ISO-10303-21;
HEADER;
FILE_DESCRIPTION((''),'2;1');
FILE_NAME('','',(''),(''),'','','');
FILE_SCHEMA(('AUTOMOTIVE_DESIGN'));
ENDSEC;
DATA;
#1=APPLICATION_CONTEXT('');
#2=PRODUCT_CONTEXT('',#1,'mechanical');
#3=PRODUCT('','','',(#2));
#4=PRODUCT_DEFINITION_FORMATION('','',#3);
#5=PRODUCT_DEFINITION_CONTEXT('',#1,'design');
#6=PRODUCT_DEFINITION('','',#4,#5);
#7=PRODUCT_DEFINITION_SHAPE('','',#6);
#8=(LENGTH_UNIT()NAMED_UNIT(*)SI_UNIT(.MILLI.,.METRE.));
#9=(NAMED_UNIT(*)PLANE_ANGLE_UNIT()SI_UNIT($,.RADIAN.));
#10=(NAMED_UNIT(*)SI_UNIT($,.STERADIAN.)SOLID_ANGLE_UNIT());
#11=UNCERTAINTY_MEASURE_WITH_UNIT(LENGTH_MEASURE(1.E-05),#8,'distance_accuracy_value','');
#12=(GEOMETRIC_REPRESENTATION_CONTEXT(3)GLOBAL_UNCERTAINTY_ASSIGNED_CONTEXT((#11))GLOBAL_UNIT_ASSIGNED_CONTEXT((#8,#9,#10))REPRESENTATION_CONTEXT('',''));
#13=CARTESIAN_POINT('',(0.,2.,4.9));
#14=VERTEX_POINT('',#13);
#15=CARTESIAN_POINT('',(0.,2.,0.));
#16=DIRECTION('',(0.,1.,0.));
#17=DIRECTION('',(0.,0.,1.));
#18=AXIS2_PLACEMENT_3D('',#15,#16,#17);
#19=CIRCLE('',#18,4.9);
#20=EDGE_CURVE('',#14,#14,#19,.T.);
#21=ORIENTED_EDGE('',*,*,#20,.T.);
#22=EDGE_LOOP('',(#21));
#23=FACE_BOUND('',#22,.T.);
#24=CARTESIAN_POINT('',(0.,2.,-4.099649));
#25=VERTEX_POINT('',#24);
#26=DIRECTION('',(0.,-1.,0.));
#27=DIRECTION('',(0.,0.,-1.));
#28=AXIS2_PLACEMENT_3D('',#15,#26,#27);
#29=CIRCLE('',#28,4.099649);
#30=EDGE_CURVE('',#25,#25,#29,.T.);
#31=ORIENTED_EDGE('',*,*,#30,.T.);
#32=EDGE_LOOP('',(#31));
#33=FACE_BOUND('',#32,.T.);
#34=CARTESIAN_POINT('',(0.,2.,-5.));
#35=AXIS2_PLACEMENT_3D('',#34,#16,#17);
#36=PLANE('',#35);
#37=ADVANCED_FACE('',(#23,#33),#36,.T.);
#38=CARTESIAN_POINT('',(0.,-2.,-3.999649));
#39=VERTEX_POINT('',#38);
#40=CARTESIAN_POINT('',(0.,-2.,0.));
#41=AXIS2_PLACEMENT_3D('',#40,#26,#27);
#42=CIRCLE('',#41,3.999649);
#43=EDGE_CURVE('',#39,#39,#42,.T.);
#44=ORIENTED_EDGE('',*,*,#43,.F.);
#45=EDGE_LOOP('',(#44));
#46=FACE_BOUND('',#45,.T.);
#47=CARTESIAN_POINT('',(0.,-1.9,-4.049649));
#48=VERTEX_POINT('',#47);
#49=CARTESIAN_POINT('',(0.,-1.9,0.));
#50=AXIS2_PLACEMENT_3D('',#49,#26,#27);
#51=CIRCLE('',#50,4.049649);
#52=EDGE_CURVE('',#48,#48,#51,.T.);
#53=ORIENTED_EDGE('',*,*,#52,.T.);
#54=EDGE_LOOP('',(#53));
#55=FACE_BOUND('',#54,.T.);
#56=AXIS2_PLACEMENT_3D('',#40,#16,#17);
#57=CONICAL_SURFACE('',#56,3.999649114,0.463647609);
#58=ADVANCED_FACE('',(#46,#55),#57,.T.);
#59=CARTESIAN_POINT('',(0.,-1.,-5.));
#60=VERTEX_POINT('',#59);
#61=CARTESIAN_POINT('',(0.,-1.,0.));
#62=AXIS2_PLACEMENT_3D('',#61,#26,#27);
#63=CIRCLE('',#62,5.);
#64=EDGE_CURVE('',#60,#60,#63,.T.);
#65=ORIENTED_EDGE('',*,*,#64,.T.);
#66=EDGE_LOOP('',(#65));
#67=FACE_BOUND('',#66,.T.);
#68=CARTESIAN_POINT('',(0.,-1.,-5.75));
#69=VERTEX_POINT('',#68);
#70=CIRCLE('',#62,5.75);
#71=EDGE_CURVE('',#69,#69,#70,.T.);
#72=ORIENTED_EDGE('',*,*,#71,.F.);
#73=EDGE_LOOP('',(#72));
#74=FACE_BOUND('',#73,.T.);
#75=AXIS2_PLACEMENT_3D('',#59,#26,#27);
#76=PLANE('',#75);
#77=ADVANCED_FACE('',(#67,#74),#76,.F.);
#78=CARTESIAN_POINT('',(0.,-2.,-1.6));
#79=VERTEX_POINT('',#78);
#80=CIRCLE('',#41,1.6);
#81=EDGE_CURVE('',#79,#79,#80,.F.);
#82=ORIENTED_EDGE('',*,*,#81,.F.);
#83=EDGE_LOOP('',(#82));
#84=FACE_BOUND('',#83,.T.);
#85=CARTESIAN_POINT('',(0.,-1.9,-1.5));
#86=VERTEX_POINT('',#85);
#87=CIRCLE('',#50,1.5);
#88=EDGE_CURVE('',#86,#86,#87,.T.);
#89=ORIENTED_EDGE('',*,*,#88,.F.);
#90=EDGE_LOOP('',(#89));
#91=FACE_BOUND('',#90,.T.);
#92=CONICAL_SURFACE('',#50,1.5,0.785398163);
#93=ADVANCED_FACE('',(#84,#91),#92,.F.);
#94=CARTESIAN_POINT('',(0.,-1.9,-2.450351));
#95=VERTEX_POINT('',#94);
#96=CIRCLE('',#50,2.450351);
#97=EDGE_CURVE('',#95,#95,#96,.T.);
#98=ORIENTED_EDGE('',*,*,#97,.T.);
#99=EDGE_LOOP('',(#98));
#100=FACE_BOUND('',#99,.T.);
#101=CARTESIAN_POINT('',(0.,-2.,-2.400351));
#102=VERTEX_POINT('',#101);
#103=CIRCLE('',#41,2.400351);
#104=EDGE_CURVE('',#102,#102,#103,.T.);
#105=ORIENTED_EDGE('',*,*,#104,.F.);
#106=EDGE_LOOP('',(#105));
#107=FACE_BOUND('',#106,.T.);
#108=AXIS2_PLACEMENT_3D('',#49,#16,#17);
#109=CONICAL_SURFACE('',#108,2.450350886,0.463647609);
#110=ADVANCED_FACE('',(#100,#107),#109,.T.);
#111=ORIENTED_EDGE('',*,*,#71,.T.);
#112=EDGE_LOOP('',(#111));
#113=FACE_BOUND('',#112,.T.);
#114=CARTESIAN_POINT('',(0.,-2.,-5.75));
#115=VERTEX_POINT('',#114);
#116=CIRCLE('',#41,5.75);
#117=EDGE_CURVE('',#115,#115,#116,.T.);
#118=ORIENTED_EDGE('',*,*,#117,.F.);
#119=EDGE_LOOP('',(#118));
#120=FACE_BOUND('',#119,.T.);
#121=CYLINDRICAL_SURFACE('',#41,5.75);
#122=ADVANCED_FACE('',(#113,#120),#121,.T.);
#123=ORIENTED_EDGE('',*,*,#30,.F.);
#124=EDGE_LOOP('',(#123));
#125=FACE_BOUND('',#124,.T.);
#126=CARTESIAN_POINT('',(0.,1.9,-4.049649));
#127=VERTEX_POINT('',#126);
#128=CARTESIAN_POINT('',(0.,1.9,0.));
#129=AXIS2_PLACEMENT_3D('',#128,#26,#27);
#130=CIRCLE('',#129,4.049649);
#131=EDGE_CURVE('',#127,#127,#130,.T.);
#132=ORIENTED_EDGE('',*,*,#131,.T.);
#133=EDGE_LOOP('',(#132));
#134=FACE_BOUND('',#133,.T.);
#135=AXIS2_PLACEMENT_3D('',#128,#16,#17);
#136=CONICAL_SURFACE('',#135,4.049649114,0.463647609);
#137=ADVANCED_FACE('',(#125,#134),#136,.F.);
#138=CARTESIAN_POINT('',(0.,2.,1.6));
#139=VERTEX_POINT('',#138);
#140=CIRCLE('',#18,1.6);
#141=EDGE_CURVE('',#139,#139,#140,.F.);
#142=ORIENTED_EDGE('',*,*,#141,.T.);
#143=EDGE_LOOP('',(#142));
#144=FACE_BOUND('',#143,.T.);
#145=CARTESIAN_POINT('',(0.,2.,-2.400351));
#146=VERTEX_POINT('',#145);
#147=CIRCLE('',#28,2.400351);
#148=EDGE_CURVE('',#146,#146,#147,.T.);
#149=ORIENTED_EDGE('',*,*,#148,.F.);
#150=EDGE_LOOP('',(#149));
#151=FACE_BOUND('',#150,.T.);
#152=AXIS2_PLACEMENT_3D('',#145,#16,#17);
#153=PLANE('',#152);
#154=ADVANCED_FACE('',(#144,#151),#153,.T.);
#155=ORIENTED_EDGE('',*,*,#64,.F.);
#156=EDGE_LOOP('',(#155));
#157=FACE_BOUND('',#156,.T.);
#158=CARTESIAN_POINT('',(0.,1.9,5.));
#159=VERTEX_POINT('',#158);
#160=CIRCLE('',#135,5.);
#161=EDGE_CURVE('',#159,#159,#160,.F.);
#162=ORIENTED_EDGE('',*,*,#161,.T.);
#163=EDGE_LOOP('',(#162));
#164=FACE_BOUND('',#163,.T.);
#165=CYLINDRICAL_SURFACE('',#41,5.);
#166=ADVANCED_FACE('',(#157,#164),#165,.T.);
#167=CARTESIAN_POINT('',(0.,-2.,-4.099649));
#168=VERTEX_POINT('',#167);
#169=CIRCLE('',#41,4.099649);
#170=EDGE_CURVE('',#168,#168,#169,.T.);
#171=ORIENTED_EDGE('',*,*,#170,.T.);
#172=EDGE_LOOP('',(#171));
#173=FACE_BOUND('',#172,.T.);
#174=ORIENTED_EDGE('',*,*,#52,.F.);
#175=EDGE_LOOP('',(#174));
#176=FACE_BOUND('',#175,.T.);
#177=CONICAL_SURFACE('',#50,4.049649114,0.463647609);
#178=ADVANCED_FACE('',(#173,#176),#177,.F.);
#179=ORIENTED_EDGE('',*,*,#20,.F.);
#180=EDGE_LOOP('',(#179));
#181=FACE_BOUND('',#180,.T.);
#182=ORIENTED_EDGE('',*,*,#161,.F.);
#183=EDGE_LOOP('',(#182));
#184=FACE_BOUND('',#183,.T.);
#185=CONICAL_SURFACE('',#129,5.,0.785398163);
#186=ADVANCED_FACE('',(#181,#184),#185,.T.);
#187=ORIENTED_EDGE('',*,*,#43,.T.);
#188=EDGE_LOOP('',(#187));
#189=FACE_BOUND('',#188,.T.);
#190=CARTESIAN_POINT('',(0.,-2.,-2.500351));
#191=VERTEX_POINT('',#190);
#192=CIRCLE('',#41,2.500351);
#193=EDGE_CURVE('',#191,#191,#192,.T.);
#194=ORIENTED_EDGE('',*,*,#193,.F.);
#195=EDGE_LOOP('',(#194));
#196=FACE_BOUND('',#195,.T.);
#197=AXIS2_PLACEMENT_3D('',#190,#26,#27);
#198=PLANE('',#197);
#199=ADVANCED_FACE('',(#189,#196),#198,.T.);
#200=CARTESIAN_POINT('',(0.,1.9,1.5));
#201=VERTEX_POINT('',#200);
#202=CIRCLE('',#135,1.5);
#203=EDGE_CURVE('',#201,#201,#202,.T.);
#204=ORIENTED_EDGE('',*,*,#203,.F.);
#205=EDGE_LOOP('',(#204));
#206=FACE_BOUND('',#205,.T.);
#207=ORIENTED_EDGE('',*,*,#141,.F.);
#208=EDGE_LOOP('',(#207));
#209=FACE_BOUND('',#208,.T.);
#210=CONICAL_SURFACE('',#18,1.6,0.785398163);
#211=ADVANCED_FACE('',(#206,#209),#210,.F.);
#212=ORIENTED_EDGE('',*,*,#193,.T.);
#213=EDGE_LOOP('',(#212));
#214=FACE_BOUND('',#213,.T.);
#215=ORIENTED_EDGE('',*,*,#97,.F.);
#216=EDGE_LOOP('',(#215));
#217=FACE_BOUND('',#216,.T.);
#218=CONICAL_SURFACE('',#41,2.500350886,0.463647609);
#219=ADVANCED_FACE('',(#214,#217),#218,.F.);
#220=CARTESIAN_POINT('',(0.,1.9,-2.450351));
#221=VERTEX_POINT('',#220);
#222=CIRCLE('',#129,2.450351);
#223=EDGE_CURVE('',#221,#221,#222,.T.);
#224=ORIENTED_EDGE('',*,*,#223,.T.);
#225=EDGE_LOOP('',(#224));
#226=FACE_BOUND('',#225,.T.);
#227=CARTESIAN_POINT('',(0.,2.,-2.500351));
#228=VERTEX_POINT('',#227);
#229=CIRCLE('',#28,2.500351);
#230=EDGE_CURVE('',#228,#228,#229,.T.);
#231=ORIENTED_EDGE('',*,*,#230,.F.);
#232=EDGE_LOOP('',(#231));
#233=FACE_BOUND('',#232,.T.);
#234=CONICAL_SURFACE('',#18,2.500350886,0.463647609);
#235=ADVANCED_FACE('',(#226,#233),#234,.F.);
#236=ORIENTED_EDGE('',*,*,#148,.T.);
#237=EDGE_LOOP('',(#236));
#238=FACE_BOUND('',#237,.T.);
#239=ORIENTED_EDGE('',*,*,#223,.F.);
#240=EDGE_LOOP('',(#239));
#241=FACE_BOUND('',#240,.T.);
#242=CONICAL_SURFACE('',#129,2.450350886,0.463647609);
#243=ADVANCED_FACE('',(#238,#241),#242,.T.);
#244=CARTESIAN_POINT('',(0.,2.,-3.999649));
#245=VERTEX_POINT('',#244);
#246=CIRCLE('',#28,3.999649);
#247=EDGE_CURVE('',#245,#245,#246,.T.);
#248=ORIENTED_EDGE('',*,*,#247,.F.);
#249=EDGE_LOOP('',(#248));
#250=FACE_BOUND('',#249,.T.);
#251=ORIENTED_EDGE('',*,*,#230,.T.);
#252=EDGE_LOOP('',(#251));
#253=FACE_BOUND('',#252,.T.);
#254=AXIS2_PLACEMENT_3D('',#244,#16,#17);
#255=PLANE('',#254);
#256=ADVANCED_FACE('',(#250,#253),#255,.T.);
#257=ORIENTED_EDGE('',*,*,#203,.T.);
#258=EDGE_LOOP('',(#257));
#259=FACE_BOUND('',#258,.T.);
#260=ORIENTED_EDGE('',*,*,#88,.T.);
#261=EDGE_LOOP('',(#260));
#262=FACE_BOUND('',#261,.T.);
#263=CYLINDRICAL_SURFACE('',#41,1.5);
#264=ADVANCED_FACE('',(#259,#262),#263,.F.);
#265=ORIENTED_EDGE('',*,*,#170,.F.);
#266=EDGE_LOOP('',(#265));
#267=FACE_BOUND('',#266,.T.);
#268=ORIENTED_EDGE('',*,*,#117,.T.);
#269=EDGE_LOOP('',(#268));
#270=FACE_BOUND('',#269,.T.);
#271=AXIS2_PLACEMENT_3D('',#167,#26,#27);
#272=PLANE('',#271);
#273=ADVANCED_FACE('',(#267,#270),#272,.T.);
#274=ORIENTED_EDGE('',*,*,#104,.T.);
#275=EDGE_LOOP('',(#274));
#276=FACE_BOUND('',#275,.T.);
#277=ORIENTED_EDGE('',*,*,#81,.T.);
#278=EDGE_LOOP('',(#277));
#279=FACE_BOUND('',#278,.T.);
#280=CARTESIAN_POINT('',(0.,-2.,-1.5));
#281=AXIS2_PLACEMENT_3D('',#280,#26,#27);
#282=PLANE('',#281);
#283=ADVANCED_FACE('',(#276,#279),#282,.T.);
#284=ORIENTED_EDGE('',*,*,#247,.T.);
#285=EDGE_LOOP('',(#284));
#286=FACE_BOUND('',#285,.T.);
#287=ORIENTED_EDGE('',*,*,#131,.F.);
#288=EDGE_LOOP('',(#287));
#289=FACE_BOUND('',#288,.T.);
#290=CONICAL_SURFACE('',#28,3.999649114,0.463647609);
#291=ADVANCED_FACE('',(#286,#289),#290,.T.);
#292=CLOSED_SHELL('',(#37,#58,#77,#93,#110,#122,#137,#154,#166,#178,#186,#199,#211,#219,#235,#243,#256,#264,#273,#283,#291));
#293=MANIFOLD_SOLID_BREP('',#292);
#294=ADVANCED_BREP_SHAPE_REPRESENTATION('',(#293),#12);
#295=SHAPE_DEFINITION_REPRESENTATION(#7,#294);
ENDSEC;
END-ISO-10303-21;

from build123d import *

# Parameters (mm, degrees)
CHAMFER1_SIZE = 0.1


with BuildPart() as part:
    # Sketch1 → Revolve1 (revolve)
    with BuildSketch(Plane(origin=(0, 0, 0), x_dir=(0, 0, -1), z_dir=(1, 0, 0))):
        Polygon((5, -1), (5, 2), (4.099649114, 2), (4.049649114, 1.9), (3.999649114, 2), (2.500350886, 2), (2.450350886, 1.9), (2.400350886, 2), (1.5, 2), (1.5, -2), (2.400350886, -2), (2.450350886, -1.9), (2.500350886, -2), (3.999649114, -2), (4.049649114, -1.9), (4.099649114, -2), (5.75, -2), (5.75, -1), align=None)
    revolve(axis=Axis((0, -2, 0), (0, 1, 0)))

    # Chamfer1
    chamfer1_edges = [part.edges().sort_by_distance(p)[0] for p in [
        (0, 2, 1.5),
        (0, 2, 5),
        (0, -2, 1.5),
    ]]
    chamfer(chamfer1_edges, length=CHAMFER1_SIZE)


solid = part.part
